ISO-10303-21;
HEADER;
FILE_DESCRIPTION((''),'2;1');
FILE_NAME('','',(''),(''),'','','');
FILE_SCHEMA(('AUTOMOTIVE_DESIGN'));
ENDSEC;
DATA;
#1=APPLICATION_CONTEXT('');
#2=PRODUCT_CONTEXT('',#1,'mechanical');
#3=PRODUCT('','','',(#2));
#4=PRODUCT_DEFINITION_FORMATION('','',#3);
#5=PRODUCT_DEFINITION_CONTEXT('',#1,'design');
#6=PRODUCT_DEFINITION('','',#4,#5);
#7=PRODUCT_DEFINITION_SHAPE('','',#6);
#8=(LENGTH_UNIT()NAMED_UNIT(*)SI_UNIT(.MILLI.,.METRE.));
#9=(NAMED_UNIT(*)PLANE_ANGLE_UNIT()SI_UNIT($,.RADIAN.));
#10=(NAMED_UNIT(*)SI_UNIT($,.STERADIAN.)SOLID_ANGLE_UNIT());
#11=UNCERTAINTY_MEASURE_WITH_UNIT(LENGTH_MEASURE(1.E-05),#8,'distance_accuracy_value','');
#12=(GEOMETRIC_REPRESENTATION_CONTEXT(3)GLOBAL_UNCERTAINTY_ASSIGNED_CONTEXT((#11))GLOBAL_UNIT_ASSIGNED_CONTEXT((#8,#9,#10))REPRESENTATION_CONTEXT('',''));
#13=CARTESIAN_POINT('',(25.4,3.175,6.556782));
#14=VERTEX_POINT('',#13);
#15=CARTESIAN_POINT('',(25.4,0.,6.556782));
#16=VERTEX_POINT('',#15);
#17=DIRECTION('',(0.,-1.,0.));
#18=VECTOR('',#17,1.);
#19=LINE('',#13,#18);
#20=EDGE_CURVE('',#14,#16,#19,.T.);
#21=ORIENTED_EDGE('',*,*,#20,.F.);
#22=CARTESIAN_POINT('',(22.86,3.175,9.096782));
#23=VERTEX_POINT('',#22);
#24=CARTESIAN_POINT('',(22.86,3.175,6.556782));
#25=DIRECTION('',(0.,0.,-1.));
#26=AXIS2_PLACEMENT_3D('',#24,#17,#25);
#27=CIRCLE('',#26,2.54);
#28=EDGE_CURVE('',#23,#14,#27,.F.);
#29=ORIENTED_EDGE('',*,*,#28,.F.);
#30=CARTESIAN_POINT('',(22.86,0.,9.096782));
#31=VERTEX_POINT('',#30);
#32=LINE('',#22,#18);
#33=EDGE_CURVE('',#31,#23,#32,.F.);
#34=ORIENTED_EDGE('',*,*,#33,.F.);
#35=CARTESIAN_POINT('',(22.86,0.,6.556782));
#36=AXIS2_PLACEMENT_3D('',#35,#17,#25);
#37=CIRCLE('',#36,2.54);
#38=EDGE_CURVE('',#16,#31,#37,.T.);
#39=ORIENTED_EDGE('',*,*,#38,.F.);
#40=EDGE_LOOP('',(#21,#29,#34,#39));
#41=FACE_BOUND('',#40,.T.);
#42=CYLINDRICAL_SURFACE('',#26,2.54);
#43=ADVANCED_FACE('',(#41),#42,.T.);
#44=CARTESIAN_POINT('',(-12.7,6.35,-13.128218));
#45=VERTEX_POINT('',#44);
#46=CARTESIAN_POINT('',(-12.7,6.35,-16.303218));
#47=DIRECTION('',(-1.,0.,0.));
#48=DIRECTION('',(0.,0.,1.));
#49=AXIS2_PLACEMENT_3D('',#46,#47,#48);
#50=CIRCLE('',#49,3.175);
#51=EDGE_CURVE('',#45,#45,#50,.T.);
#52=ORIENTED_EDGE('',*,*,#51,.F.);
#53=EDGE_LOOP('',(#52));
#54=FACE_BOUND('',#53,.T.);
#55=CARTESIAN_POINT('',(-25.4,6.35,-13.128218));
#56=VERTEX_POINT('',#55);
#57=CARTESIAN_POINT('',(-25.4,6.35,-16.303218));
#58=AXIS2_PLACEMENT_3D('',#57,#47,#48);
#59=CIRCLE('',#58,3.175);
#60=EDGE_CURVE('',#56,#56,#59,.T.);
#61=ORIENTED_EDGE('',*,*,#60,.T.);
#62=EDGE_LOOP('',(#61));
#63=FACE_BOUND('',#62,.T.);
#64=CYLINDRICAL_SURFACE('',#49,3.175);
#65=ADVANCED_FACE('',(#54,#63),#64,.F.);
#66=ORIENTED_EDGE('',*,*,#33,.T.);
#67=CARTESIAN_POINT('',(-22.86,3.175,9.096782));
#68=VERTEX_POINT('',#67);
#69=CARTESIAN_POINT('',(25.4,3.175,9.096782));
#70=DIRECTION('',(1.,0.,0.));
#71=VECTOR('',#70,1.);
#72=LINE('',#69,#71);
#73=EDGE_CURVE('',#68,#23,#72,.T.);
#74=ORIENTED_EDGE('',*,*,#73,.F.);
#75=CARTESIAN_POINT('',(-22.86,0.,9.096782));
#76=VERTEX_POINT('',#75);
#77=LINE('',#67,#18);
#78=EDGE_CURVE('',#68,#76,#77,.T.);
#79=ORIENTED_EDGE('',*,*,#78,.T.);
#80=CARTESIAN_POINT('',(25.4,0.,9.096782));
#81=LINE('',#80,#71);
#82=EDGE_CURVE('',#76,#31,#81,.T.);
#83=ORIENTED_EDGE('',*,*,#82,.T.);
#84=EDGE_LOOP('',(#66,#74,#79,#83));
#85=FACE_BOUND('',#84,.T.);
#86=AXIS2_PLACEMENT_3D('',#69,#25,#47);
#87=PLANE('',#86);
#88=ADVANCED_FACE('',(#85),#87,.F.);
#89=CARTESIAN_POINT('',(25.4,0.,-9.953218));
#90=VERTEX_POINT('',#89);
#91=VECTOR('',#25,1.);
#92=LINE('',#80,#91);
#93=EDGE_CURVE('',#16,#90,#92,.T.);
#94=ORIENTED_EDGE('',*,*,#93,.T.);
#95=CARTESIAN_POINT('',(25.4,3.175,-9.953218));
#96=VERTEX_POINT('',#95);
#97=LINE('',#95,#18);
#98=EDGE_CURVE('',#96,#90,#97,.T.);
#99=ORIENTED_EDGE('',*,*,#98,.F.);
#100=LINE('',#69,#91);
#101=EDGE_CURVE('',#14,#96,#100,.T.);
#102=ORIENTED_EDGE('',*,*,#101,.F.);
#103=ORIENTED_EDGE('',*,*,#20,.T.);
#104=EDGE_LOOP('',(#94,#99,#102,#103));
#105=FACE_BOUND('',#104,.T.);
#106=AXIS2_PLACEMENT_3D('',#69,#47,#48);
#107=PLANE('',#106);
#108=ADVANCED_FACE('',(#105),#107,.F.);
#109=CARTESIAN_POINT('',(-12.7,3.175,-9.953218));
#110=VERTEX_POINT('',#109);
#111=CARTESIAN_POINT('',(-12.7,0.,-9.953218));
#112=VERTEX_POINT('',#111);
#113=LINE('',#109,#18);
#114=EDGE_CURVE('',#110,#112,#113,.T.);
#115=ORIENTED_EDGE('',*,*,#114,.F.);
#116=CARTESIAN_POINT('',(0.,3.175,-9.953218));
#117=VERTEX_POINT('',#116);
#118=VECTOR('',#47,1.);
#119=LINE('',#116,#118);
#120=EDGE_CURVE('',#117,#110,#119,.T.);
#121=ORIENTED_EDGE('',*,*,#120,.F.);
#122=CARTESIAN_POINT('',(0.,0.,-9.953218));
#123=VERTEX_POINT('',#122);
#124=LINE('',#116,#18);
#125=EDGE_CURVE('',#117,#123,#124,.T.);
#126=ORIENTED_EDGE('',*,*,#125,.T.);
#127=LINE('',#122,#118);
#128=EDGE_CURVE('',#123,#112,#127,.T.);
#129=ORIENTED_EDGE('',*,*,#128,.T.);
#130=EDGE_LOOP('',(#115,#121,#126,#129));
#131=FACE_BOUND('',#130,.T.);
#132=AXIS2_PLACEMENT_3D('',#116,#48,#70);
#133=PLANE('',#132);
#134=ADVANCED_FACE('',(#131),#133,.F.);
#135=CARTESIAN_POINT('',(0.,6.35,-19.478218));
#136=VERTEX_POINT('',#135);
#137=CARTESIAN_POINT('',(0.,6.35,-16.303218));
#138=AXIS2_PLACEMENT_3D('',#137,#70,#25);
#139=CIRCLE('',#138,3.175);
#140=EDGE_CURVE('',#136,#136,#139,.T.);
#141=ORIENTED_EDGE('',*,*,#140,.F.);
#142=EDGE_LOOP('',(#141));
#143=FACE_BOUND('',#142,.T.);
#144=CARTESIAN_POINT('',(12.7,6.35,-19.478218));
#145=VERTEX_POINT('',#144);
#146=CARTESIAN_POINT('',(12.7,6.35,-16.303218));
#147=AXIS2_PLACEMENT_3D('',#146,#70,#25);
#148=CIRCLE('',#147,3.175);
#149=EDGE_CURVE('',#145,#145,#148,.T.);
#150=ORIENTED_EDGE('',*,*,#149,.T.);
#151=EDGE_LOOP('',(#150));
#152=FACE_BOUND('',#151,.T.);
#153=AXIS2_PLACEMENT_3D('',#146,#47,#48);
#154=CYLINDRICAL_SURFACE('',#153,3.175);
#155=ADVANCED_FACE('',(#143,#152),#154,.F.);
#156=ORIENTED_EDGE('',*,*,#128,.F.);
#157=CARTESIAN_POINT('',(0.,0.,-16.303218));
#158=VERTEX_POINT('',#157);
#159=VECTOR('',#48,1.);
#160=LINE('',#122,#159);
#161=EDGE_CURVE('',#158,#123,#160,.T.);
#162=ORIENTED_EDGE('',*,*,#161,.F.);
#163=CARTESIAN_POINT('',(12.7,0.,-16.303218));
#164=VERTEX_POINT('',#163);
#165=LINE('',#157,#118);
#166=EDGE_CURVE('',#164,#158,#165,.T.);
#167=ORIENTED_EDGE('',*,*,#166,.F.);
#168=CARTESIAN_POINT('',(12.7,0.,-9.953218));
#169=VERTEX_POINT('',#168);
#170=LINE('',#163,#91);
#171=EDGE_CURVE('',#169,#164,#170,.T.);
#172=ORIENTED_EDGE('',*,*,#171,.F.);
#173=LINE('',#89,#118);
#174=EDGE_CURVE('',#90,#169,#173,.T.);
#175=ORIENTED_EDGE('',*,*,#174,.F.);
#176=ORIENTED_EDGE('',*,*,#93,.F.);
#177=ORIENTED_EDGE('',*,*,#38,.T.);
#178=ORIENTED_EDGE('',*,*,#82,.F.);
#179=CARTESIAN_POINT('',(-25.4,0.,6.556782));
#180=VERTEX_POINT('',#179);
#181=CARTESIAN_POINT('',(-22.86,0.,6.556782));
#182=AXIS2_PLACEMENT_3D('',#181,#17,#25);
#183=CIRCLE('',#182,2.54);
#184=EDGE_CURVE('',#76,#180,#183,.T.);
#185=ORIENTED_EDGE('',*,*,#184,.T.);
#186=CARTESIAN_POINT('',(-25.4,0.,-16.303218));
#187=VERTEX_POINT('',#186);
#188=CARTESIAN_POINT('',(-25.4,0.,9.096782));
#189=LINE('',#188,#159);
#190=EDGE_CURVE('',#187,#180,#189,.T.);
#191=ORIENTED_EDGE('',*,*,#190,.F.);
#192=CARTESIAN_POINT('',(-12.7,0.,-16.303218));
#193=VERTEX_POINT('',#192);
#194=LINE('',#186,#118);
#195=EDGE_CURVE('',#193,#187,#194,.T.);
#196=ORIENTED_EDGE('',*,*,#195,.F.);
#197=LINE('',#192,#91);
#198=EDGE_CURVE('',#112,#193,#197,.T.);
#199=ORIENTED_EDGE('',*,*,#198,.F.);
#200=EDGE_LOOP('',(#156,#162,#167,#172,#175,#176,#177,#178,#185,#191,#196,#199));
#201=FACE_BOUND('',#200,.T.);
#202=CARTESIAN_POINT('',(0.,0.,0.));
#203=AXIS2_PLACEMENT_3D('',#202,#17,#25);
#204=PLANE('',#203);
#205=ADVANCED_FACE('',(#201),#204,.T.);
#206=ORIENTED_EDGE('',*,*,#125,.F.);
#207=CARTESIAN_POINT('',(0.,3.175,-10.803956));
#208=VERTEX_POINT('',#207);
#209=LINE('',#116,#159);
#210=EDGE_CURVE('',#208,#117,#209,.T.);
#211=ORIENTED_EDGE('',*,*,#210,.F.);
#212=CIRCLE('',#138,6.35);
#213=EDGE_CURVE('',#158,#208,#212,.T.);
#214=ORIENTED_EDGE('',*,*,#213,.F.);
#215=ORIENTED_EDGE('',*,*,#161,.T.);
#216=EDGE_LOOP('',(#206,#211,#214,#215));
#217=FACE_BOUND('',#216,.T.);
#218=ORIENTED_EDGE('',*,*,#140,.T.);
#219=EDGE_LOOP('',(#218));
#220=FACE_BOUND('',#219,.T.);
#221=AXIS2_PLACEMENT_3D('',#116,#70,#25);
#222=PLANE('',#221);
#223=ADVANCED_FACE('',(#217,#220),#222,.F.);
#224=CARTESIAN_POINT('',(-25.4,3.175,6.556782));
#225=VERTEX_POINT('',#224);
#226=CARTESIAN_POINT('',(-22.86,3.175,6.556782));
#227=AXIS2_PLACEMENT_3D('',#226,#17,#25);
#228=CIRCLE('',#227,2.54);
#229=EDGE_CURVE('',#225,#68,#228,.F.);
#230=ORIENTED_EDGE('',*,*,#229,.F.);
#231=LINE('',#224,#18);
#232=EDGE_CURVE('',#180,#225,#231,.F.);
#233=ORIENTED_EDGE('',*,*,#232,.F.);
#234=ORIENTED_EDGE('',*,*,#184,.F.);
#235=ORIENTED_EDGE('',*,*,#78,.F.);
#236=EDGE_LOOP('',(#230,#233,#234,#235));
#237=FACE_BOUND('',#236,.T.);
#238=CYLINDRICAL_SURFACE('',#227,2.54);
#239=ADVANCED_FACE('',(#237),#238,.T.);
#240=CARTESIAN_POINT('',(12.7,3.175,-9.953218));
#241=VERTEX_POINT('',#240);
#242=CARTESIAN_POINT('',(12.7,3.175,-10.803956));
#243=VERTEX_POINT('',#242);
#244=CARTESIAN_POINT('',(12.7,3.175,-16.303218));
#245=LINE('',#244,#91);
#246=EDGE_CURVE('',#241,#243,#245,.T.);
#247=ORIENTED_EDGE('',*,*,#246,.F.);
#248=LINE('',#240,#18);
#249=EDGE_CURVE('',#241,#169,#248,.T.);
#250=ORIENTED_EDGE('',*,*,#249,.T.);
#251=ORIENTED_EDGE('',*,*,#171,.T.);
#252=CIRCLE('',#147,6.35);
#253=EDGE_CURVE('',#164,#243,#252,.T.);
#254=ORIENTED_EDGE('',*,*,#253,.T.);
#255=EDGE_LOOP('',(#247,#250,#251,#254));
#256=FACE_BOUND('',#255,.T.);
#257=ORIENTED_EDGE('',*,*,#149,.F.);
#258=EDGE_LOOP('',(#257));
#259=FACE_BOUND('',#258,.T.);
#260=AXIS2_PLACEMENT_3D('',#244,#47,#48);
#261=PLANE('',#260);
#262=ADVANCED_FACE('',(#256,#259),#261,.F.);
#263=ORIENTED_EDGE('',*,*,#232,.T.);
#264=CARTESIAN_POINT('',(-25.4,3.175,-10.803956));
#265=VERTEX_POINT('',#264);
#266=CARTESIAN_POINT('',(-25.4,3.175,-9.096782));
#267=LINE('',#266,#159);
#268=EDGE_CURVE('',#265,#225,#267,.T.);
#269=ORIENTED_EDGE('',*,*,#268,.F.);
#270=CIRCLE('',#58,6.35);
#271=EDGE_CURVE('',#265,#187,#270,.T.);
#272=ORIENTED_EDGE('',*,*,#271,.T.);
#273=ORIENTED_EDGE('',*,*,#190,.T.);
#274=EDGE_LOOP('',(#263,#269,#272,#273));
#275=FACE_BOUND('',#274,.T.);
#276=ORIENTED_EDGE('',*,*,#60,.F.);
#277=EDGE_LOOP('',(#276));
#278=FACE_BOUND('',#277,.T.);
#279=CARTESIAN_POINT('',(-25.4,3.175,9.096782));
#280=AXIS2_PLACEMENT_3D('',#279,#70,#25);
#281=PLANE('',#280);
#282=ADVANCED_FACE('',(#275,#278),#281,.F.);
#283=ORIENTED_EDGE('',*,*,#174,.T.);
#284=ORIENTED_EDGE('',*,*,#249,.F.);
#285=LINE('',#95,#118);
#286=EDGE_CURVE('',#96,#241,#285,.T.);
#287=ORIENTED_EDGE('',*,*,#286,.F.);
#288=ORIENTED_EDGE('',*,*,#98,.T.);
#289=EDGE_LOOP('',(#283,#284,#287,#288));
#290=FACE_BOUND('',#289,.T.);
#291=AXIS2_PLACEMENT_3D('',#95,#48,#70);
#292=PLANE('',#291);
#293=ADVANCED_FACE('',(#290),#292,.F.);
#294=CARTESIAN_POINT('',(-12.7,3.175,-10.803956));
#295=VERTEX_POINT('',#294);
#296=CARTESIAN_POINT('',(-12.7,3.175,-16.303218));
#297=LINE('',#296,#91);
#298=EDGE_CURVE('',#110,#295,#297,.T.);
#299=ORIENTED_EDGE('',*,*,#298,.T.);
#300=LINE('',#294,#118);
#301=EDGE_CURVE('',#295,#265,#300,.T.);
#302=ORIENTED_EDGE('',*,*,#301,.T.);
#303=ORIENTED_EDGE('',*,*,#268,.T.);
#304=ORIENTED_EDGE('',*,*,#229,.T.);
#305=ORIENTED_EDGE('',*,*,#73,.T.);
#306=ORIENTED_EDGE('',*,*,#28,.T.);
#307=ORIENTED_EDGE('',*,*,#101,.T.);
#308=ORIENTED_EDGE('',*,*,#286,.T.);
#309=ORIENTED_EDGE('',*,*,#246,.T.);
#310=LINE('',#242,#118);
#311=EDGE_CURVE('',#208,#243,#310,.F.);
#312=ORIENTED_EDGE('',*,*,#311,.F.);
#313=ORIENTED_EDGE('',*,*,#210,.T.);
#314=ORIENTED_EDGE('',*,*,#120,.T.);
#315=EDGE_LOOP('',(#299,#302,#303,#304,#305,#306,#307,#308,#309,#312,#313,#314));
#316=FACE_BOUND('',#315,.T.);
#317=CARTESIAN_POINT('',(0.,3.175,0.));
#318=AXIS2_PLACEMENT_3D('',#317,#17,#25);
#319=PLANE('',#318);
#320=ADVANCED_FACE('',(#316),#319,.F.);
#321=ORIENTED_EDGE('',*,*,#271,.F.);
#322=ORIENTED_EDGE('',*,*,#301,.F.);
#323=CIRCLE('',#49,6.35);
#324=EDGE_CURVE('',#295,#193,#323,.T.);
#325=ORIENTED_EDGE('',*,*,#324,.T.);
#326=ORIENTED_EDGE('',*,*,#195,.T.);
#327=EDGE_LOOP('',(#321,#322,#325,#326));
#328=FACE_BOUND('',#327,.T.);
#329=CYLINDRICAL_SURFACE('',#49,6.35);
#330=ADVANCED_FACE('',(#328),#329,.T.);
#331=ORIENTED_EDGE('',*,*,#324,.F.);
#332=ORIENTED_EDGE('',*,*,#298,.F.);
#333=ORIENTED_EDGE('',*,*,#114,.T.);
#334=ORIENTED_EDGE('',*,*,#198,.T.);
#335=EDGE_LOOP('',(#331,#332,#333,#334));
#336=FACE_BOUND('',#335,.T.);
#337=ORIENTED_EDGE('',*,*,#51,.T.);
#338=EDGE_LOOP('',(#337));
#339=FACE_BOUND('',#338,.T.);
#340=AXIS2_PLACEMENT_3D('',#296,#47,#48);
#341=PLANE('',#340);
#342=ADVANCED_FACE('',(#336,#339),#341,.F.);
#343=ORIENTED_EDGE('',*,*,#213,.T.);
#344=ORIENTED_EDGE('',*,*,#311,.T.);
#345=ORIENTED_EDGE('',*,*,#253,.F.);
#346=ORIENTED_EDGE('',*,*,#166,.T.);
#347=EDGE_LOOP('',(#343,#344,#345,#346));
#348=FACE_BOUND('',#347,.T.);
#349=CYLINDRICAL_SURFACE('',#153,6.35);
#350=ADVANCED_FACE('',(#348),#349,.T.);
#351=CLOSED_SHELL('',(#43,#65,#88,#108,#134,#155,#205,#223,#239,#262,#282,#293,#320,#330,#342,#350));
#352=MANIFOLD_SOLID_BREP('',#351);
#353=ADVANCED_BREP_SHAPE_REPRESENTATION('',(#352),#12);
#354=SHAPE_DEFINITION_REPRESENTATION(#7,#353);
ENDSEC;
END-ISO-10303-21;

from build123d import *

# Parameters (mm, degrees)
BOSS_EXTRUDE1_DEPTH = 3.175
SKETCH2_R           = 6.35
SKETCH2_R_2         = 3.175
BOSS_EXTRUDE2_DEPTH = 12.7
FILLET1_R           = 2.54
SKETCH3_R           = 3.175
BOSS_EXTRUDE3_DEPTH = 12.7


with BuildPart() as part:
    # Sketch1 → Boss-Extrude1 (new body)
    with BuildSketch(Plane(origin=(0, 0, 0), x_dir=(1, 0, 0), z_dir=(0, 1, 0))):
        Polygon((0, 9.953217651), (-12.7, 9.953217651), (-12.7, 16.303217651), (-25.4, 16.303217651), (-25.4, 9.096782349), (-25.4, -9.096782349), (25.4, -9.096782349), (25.4, 9.953217651), (12.7, 9.953217651), (12.7, 16.303217651), (0, 16.303217651), align=None)
    extrude(amount=BOSS_EXTRUDE1_DEPTH)

    # Sketch2 → Boss-Extrude2 (add)
    with BuildSketch(Plane(origin=(0, 0, 0), x_dir=(0, 0, -1), z_dir=(1, 0, 0))):
        with Locations((16.303217651, 6.35)):
            Circle(SKETCH2_R)
        with Locations((16.303217651, 6.35)):
            Circle(SKETCH2_R_2, mode=Mode.SUBTRACT)
    extrude(amount=BOSS_EXTRUDE2_DEPTH)

    # Fillet1
    fillet1_edges = [part.edges().sort_by_distance(p)[0] for p in [
        (25.4, 1.5875, 9.096782349),
        (-25.4, 1.5875, 9.096782349),
    ]]
    fillet(fillet1_edges, radius=FILLET1_R)

    # Sketch3 → Boss-Extrude3 (add)
    with BuildSketch(Plane.ZY.offset(25.4)):
        with BuildLine():
            Line((-16.303217651, 0), (-9.953217651, 0))
            Line((-9.953217651, 0), (-9.953217651, 3.175))
            Line((-9.953217651, 3.175), (-10.803956337, 3.175))
            ThreePointArc((-10.803956337, 3.175), (-19.478217651, 11.849261314), (-16.303217651, 0))
        make_face()
        with Locations((-16.303217651, 6.35)):
            Circle(SKETCH3_R, mode=Mode.SUBTRACT)
    extrude(amount=-BOSS_EXTRUDE3_DEPTH)


solid = part.part
